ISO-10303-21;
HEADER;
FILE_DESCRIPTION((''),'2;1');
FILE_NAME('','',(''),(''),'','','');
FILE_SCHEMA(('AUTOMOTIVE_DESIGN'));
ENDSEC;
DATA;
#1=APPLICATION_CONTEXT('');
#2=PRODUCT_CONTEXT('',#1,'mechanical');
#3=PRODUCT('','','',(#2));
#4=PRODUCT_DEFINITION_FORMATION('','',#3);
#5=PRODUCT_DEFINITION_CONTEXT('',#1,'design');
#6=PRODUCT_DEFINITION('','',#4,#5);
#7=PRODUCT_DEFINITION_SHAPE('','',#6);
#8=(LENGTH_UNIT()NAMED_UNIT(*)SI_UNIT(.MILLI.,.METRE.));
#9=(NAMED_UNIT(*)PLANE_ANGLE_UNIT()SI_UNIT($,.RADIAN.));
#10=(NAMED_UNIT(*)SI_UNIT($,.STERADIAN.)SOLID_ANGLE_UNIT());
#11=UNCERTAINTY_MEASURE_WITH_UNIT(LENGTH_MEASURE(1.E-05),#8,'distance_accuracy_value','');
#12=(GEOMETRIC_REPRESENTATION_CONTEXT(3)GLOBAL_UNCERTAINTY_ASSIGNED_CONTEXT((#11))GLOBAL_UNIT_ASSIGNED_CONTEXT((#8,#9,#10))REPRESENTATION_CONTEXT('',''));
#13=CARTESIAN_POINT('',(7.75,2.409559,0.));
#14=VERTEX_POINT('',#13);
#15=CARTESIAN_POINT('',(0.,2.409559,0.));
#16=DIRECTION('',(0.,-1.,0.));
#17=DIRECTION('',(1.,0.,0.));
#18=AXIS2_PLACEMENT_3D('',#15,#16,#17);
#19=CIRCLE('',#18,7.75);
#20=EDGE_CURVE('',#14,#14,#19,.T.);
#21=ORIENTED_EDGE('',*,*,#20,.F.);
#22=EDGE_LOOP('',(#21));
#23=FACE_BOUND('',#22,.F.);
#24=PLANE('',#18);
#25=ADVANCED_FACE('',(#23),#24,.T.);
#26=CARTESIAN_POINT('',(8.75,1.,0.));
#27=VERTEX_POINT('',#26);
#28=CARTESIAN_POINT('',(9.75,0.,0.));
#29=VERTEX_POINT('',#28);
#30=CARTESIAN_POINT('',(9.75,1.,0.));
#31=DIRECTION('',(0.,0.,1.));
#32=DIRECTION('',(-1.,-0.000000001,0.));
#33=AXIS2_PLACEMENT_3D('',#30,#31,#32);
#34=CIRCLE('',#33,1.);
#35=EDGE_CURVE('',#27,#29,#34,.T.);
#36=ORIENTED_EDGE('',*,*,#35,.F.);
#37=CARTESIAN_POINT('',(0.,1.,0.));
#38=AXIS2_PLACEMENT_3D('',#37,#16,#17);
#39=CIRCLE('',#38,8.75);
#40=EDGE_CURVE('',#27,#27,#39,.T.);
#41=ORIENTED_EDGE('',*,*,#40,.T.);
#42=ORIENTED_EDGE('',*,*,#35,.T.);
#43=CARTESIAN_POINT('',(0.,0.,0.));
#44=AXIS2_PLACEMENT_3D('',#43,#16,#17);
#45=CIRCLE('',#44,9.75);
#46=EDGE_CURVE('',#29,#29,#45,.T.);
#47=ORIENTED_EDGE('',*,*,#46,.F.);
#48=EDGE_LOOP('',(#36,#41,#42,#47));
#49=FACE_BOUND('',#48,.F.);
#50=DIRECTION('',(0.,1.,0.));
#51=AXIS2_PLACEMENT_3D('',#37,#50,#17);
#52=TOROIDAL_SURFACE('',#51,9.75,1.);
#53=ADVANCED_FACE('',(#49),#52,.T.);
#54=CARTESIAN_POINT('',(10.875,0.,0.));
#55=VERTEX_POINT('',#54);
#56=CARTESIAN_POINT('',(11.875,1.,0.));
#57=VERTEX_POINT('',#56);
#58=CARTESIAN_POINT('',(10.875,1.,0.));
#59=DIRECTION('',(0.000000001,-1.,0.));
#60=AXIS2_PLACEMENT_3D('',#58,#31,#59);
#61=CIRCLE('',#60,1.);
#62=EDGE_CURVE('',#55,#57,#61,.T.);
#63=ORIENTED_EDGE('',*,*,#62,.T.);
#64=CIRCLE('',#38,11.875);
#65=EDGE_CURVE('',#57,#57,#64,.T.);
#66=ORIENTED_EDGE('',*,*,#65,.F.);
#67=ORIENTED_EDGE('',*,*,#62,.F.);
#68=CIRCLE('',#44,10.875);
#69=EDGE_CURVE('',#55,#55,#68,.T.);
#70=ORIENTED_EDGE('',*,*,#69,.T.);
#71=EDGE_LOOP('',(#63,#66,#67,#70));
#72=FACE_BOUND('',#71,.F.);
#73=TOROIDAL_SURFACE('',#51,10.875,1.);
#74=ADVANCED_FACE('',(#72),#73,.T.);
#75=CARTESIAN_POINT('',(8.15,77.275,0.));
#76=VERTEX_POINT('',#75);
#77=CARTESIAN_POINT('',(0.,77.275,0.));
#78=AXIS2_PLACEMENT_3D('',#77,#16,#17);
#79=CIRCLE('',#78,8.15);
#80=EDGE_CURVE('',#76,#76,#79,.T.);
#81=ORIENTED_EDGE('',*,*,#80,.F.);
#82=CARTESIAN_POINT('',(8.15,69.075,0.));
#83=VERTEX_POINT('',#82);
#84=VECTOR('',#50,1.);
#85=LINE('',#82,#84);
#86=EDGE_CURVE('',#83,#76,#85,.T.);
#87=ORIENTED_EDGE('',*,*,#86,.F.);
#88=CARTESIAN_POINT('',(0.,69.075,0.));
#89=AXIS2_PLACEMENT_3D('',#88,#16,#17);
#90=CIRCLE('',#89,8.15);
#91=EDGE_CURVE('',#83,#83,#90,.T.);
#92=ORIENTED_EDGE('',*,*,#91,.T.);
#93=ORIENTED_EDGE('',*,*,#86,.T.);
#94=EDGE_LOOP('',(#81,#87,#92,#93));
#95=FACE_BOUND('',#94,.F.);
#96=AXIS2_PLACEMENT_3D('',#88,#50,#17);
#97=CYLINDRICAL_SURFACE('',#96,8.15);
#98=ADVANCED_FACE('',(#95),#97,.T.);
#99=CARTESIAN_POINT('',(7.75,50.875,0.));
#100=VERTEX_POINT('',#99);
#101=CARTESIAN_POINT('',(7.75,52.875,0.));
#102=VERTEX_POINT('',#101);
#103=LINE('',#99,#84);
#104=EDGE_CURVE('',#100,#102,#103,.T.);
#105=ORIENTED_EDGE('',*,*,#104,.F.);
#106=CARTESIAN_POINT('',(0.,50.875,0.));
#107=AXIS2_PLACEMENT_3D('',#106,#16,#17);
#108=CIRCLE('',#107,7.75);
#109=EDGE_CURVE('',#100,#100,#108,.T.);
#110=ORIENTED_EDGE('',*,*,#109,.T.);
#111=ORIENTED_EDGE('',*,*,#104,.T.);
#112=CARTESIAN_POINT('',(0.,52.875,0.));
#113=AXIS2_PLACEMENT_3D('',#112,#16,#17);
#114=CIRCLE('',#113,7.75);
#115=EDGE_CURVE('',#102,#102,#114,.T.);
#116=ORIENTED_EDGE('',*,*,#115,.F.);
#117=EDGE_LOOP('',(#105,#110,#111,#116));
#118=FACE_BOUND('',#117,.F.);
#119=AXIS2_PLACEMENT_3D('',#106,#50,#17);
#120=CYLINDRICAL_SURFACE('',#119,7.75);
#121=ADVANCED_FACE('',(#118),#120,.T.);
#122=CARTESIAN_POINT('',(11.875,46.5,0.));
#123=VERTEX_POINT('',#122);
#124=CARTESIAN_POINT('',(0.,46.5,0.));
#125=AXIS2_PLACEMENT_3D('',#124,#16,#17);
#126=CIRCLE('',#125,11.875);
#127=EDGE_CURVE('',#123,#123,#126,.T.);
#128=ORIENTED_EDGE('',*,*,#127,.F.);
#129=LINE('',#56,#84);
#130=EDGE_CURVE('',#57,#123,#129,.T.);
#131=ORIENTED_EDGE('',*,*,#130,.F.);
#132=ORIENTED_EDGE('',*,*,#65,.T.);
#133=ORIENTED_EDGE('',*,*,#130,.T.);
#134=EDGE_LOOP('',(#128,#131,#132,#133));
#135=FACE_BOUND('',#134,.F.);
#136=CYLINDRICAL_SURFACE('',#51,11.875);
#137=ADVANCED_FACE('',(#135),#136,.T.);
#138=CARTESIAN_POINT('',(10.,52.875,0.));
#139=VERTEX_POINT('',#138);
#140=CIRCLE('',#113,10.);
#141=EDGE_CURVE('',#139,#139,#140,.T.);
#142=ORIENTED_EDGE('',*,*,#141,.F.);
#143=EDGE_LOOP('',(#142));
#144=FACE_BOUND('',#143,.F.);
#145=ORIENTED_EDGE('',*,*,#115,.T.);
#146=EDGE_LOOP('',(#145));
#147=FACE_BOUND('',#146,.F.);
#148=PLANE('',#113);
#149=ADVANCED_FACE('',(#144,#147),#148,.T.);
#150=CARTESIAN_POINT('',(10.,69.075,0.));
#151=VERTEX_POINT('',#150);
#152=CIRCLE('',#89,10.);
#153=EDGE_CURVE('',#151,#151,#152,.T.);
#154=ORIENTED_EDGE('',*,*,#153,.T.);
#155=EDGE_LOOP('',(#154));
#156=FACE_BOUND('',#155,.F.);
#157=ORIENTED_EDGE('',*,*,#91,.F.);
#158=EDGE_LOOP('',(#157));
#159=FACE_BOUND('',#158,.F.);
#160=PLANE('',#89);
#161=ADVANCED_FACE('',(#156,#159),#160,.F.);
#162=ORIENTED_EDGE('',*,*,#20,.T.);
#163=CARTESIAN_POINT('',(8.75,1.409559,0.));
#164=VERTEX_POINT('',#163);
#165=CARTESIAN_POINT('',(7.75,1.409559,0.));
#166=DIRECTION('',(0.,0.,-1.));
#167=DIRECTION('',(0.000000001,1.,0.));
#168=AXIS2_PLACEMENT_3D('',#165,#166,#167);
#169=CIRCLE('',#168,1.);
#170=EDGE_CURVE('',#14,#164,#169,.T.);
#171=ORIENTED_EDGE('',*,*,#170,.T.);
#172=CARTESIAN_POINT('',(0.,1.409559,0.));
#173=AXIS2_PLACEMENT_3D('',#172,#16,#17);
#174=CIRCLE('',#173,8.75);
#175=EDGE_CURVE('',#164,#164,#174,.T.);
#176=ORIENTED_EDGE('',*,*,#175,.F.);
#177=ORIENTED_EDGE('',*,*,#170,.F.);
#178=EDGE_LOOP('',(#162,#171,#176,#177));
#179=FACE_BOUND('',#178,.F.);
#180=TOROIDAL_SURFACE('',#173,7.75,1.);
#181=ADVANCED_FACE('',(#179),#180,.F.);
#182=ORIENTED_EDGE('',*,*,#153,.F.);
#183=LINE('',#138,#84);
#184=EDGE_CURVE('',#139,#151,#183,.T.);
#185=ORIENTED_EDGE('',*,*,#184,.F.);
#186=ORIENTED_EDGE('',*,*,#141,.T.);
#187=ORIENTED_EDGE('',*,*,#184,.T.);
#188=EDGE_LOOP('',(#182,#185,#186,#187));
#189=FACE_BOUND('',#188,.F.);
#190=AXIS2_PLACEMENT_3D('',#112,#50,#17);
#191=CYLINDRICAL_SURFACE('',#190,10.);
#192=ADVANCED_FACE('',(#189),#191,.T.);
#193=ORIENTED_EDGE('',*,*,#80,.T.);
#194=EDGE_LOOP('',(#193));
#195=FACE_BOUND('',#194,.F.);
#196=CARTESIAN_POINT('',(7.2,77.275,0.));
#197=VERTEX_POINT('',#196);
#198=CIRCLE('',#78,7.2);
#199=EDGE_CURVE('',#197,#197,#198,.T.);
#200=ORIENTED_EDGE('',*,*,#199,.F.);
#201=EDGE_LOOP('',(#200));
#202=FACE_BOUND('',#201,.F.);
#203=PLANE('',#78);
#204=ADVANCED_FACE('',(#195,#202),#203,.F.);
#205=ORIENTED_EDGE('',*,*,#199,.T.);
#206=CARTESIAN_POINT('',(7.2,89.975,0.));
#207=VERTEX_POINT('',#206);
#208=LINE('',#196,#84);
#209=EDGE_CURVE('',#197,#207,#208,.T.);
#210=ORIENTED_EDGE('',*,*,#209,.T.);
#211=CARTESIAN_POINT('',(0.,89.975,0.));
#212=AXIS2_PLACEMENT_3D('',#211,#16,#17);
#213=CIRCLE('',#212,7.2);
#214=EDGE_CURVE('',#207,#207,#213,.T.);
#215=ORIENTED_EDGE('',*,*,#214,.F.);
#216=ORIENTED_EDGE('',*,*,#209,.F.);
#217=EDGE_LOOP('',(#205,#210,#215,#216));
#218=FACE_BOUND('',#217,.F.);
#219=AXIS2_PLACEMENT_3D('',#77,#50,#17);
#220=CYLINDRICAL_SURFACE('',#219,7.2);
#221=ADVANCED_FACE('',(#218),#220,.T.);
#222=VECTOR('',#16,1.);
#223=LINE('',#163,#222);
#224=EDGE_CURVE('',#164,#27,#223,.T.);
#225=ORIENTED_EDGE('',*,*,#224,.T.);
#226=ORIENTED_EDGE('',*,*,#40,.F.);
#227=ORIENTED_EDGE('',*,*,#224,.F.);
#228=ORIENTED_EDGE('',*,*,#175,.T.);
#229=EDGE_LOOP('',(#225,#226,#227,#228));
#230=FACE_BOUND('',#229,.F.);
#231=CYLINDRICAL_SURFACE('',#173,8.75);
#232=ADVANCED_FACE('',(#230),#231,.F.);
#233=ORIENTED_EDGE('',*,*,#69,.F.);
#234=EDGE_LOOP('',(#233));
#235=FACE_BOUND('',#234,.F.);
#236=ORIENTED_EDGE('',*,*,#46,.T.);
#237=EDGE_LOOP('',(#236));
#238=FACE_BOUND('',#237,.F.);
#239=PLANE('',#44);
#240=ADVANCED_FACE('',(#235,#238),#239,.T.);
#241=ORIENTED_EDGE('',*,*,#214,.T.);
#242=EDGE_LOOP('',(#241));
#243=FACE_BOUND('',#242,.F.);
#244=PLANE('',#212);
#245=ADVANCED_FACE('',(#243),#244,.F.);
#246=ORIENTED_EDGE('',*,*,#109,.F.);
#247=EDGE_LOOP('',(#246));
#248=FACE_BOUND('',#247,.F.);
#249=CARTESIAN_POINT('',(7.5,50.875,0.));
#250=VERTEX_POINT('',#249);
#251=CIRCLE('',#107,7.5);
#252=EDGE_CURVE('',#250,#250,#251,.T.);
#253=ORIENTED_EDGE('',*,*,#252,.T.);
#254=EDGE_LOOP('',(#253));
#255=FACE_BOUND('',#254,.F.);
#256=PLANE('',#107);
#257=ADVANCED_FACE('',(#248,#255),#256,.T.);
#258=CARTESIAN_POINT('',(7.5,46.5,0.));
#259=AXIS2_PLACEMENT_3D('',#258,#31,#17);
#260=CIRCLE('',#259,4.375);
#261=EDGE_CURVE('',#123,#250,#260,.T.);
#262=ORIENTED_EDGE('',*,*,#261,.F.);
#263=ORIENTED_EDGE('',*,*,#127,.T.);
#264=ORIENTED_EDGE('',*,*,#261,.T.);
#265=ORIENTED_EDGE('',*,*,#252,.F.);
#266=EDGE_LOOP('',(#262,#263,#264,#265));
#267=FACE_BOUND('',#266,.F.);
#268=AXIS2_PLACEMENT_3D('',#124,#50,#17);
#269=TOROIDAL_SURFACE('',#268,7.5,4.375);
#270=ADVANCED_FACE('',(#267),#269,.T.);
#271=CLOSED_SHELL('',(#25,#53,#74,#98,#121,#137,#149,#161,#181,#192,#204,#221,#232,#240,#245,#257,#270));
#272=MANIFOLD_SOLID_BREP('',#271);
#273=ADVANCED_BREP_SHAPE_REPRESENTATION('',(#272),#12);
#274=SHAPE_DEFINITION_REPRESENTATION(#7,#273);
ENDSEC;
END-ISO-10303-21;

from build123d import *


with BuildPart() as part:
    # Sketch1 → Revolve1 (revolve)
    with BuildSketch(Plane.XY):
        with BuildLine():
            Line((9.75, 0), (10.875, 0))
            ThreePointArc((10.875, 0), (11.582106781, 0.292893219), (11.875, 1))
            Line((11.875, 1), (11.875, 46.5))
            ThreePointArc((11.875, 46.5), (10.593592168, 49.593592168), (7.5, 50.875))
            Line((7.5, 50.875), (7.75, 50.875))
            Line((7.75, 50.875), (7.75, 52.875))
            Line((7.75, 52.875), (10, 52.875))
            Line((10, 52.875), (10, 69.075))
            Line((10, 69.075), (8.15, 69.075))
            Line((8.15, 69.075), (8.15, 77.275))
            Line((8.15, 77.275), (7.2, 77.275))
            Line((7.2, 77.275), (7.2, 89.975))
            Line((7.2, 89.975), (0, 89.975))
            Line((0, 89.975), (0, 65.8))
            Line((0, 65.8), (0, 2.409558552))
            Line((0, 2.409558552), (7.75, 2.409558552))
            ThreePointArc((7.75, 2.409558552), (8.457106781, 2.116665333), (8.75, 1.409558552))
            Line((8.75, 1.409558552), (8.75, 1))
            ThreePointArc((8.75, 1), (9.042893219, 0.292893219), (9.75, 0))
        make_face()
    revolve(axis=Axis((0, 65.8, 0), (0, -1, 0)))


solid = part.part
